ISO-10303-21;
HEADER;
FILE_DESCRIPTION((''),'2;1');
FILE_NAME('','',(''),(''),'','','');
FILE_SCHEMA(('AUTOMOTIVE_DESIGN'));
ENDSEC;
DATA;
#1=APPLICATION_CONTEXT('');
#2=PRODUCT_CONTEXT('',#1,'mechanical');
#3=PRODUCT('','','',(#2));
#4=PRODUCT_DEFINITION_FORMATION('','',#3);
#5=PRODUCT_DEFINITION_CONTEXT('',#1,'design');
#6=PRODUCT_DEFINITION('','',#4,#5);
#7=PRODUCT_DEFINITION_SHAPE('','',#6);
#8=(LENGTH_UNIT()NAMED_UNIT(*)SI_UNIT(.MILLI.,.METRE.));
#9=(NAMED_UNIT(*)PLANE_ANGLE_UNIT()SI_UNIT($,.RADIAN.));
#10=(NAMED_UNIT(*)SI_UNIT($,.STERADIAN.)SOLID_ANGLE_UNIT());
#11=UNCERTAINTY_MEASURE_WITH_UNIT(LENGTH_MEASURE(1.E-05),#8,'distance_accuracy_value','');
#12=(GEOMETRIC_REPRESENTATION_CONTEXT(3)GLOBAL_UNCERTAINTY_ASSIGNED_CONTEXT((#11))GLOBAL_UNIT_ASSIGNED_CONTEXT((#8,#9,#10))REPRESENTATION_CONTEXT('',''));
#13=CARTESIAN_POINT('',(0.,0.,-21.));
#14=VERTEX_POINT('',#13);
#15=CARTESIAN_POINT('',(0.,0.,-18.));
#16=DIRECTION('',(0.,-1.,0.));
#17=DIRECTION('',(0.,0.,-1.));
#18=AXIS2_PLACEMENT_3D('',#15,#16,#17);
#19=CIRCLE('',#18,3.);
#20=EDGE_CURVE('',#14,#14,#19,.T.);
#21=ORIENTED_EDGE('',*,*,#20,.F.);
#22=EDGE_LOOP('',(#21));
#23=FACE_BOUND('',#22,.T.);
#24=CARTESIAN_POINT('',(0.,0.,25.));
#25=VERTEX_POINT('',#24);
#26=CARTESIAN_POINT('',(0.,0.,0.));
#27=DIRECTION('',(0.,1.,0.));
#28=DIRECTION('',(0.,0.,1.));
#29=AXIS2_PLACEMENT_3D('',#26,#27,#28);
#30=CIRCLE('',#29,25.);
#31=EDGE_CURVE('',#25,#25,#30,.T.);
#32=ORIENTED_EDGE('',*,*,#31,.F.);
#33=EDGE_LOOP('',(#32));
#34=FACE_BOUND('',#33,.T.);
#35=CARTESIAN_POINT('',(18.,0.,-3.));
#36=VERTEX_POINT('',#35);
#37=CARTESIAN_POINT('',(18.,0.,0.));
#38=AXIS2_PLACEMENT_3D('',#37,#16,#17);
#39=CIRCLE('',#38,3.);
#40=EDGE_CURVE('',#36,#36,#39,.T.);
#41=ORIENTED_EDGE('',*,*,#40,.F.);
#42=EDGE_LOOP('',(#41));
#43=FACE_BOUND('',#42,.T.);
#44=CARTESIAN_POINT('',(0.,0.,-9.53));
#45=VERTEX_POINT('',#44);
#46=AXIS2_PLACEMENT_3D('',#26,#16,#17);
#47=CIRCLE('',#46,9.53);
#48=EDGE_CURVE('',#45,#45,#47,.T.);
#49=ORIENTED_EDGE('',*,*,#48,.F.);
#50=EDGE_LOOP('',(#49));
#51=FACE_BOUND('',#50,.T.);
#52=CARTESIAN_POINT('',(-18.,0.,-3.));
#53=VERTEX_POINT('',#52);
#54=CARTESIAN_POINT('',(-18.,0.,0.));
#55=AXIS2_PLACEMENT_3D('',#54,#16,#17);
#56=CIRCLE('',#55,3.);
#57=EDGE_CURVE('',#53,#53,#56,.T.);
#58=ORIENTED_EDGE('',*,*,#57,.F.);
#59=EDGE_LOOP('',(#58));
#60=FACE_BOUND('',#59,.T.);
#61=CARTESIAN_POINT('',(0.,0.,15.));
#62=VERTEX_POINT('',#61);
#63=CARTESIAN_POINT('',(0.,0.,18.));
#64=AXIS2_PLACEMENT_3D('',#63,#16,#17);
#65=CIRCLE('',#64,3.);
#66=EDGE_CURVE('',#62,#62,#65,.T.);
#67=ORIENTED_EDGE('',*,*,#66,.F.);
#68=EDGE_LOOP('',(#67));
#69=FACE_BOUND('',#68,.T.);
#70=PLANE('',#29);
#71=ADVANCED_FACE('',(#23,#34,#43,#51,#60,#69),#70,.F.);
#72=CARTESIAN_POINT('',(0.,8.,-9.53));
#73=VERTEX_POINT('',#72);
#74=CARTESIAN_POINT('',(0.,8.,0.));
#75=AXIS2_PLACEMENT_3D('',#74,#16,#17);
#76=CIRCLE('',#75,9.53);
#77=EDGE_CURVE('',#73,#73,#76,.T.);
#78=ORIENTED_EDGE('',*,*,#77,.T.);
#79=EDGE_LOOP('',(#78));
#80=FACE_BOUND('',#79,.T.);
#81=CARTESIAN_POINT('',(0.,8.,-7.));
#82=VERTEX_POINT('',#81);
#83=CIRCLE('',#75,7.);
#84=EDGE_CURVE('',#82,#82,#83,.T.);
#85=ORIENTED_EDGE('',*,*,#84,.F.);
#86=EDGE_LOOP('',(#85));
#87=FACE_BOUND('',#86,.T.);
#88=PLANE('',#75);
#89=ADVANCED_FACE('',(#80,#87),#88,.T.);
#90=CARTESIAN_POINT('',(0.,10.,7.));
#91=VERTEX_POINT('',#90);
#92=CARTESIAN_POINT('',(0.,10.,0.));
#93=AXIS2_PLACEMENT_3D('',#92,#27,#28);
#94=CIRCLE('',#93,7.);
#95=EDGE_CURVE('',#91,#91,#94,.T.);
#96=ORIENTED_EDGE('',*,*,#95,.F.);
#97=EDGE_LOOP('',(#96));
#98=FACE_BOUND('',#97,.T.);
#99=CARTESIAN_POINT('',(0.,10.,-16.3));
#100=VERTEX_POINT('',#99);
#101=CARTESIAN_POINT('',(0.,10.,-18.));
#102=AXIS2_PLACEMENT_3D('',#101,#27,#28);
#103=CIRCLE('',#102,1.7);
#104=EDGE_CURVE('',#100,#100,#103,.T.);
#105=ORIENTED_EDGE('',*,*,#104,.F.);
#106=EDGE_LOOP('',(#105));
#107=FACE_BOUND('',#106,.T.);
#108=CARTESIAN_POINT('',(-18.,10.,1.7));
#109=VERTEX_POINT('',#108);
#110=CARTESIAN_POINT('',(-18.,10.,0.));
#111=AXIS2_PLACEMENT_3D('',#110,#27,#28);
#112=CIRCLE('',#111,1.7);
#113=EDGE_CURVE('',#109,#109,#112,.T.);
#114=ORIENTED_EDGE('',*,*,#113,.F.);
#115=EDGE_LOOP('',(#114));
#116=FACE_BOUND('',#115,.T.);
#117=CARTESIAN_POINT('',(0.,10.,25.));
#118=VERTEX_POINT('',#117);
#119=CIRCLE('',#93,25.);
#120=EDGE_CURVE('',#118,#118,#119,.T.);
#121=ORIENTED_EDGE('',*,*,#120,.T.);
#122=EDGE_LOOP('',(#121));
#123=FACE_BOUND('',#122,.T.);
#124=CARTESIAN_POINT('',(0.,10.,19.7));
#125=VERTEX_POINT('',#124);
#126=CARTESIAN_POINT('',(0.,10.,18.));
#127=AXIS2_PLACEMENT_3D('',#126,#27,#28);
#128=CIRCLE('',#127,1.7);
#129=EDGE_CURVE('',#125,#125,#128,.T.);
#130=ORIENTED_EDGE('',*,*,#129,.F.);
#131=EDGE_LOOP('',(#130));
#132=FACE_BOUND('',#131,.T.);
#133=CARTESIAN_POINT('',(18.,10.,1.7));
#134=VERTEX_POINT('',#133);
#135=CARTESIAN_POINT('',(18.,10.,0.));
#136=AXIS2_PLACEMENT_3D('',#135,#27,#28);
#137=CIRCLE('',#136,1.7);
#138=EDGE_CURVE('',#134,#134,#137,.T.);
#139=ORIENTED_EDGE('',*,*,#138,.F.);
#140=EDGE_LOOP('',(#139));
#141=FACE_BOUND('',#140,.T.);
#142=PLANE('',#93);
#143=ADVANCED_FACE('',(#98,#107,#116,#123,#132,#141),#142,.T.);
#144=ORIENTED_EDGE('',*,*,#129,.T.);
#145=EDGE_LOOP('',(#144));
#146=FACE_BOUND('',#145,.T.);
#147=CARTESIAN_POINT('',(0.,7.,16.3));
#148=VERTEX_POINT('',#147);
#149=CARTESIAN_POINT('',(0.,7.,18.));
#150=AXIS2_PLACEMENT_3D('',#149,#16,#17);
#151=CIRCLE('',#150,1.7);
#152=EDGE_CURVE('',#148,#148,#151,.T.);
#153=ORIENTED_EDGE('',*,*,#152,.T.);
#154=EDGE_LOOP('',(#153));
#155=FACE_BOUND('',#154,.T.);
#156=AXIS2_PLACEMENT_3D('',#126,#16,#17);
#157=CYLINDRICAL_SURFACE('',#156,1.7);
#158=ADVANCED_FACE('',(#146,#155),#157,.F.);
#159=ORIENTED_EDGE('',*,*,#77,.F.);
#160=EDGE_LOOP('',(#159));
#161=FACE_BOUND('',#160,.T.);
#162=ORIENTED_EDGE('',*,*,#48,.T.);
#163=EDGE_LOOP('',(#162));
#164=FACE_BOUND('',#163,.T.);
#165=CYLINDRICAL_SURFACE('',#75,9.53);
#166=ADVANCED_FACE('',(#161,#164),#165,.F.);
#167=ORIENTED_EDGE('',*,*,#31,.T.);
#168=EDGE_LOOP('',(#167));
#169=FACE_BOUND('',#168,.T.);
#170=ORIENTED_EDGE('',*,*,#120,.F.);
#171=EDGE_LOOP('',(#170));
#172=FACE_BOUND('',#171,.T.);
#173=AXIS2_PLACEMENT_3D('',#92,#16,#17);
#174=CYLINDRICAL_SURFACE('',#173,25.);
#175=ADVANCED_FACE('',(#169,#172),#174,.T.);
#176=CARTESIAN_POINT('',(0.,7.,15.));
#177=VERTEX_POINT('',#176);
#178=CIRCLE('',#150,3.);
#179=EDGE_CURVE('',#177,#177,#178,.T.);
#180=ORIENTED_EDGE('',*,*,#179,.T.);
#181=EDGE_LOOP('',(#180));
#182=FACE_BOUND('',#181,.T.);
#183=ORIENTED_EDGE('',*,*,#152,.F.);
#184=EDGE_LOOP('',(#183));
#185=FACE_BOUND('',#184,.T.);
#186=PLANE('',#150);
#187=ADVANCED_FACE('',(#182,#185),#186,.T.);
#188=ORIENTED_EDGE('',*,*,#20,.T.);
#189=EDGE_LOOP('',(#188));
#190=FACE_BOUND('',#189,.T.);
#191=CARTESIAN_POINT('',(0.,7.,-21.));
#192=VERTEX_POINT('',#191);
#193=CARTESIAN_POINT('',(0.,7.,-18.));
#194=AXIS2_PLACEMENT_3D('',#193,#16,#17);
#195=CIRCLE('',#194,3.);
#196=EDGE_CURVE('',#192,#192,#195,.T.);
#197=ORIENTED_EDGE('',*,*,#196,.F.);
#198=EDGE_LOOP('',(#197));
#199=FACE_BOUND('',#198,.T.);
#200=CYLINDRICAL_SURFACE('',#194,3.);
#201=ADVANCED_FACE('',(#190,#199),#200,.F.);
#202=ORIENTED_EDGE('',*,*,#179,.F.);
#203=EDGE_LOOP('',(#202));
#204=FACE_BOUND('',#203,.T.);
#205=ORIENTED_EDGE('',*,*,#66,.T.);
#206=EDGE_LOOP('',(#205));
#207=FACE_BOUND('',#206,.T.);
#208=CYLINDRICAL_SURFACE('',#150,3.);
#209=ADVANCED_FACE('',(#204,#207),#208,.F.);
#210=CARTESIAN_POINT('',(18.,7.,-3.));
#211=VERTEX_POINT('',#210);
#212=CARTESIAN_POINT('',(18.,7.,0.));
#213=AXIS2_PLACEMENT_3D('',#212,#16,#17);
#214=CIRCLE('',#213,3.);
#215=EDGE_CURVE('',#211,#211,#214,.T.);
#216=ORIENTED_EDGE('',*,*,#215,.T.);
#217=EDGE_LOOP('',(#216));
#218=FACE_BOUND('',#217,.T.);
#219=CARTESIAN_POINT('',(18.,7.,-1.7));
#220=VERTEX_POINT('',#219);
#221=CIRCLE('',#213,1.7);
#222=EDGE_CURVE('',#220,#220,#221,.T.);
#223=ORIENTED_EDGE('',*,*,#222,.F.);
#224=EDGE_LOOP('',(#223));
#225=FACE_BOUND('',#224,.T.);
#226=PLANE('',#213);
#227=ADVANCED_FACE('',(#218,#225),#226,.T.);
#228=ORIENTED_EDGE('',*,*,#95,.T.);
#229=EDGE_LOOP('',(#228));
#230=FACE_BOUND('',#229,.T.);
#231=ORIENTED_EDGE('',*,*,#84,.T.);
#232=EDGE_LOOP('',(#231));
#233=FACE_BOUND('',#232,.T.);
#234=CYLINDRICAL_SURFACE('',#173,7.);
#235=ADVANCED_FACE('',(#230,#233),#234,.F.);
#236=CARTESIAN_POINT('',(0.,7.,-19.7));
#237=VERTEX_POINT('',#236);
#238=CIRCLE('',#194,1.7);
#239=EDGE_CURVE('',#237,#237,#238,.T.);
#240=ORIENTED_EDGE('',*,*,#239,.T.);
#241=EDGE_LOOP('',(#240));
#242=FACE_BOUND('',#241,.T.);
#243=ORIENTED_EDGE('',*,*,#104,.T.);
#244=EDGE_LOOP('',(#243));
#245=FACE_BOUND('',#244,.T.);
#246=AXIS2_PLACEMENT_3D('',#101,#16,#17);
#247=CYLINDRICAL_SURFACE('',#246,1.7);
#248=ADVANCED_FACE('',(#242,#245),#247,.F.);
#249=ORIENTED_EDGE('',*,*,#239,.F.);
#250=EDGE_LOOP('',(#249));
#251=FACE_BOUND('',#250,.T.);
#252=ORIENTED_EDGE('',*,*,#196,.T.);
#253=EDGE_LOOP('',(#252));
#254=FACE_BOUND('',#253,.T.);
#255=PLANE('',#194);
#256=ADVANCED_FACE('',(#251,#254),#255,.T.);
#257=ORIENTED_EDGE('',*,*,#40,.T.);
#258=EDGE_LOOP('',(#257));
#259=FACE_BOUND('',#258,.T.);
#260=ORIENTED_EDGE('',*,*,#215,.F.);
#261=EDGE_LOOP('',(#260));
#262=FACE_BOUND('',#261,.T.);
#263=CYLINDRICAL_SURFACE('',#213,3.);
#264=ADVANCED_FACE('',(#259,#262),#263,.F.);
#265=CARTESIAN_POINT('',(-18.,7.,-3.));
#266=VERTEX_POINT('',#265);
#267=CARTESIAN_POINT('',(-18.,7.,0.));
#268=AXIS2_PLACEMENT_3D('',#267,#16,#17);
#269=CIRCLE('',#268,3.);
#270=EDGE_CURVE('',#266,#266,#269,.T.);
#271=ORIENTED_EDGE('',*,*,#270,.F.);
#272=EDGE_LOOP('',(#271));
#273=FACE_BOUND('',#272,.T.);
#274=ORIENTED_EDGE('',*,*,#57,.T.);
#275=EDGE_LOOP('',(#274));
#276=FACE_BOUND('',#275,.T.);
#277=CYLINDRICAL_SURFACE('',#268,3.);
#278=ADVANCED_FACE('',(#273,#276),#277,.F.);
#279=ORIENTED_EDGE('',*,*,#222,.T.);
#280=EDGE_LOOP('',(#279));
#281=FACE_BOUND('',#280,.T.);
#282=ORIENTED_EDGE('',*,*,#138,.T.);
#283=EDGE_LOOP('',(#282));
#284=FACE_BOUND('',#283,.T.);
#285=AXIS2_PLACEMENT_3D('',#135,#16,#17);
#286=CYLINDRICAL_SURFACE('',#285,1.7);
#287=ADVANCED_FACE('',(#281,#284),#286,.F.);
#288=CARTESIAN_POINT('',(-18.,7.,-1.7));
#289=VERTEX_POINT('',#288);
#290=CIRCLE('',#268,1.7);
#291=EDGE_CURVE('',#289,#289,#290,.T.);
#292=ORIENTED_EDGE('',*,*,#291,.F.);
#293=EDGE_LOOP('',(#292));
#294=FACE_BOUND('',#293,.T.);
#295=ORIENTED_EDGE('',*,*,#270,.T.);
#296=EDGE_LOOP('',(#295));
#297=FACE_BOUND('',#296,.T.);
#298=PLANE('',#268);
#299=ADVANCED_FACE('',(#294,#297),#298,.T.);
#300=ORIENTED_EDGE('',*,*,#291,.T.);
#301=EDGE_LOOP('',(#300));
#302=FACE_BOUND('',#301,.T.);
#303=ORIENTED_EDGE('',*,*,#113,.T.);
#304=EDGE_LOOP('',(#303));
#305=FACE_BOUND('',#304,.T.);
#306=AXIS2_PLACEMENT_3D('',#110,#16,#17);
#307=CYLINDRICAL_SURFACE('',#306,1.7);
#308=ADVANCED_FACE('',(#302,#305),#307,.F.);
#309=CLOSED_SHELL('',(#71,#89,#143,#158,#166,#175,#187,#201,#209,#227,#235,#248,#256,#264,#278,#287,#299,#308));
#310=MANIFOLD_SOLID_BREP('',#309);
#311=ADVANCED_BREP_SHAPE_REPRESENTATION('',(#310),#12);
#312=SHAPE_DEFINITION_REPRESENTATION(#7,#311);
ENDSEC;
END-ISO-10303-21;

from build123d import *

# Parameters (mm, degrees)
SKETCH1_R           = 25
SKETCH1_R_2         = 7
SKETCH1_R_3         = 1.7
BOSS_EXTRUDE1_DEPTH = 10
SKETCH2_R           = 9.53
CUT_EXTRUDE1_DEPTH  = 8
SKETCH4_R           = 3
CUT_EXTRUDE2_DEPTH  = 7


with BuildPart() as part:
    # Sketch1 → Boss-Extrude1 (new body)
    with BuildSketch(Plane(origin=(0, 0, 0), x_dir=(1, 0, 0), z_dir=(0, 1, 0))):
        with Locations(Location((0, 0, 0), (0, 0, 270))):
            Circle(SKETCH1_R)
        with Locations(Location((0, 0, 0), (0, 0, 270))):
            Circle(SKETCH1_R_2, mode=Mode.SUBTRACT)
        with Locations(Location((0, 18, 0), (0, 0, 270))):
            Circle(SKETCH1_R_3, mode=Mode.SUBTRACT)
        with Locations(Location((18, 0, 0), (0, 0, 270))):
            Circle(SKETCH1_R_3, mode=Mode.SUBTRACT)
        with Locations(Location((0, -18, 0), (0, 0, 270))):
            Circle(SKETCH1_R_3, mode=Mode.SUBTRACT)
        with Locations(Location((-18, 0, 0), (0, 0, 270))):
            Circle(SKETCH1_R_3, mode=Mode.SUBTRACT)
    extrude(amount=BOSS_EXTRUDE1_DEPTH)

    # Sketch2 → Cut-Extrude1 (cut)
    with BuildSketch(Plane.XZ):
        with Locations(Location((0, 0, 0), (0, 0, 270))):
            Circle(SKETCH2_R)
    extrude(amount=-CUT_EXTRUDE1_DEPTH, mode=Mode.SUBTRACT)

    # Sketch4 → Cut-Extrude2 (cut)
    with BuildSketch(Plane.XZ):
        with Locations(Location((0, 18, 0), (0, 0, 270))):
            Circle(SKETCH4_R)
        with Locations(Location((-18, 0, 0), (0, 0, 270))):
            Circle(SKETCH4_R)
        with Locations(Location((0, -18, 0), (0, 0, 270))):
            Circle(SKETCH4_R)
        with Locations(Location((18, 0, 0), (0, 0, 270))):
            Circle(SKETCH4_R)
    extrude(amount=-CUT_EXTRUDE2_DEPTH, mode=Mode.SUBTRACT)


solid = part.part
